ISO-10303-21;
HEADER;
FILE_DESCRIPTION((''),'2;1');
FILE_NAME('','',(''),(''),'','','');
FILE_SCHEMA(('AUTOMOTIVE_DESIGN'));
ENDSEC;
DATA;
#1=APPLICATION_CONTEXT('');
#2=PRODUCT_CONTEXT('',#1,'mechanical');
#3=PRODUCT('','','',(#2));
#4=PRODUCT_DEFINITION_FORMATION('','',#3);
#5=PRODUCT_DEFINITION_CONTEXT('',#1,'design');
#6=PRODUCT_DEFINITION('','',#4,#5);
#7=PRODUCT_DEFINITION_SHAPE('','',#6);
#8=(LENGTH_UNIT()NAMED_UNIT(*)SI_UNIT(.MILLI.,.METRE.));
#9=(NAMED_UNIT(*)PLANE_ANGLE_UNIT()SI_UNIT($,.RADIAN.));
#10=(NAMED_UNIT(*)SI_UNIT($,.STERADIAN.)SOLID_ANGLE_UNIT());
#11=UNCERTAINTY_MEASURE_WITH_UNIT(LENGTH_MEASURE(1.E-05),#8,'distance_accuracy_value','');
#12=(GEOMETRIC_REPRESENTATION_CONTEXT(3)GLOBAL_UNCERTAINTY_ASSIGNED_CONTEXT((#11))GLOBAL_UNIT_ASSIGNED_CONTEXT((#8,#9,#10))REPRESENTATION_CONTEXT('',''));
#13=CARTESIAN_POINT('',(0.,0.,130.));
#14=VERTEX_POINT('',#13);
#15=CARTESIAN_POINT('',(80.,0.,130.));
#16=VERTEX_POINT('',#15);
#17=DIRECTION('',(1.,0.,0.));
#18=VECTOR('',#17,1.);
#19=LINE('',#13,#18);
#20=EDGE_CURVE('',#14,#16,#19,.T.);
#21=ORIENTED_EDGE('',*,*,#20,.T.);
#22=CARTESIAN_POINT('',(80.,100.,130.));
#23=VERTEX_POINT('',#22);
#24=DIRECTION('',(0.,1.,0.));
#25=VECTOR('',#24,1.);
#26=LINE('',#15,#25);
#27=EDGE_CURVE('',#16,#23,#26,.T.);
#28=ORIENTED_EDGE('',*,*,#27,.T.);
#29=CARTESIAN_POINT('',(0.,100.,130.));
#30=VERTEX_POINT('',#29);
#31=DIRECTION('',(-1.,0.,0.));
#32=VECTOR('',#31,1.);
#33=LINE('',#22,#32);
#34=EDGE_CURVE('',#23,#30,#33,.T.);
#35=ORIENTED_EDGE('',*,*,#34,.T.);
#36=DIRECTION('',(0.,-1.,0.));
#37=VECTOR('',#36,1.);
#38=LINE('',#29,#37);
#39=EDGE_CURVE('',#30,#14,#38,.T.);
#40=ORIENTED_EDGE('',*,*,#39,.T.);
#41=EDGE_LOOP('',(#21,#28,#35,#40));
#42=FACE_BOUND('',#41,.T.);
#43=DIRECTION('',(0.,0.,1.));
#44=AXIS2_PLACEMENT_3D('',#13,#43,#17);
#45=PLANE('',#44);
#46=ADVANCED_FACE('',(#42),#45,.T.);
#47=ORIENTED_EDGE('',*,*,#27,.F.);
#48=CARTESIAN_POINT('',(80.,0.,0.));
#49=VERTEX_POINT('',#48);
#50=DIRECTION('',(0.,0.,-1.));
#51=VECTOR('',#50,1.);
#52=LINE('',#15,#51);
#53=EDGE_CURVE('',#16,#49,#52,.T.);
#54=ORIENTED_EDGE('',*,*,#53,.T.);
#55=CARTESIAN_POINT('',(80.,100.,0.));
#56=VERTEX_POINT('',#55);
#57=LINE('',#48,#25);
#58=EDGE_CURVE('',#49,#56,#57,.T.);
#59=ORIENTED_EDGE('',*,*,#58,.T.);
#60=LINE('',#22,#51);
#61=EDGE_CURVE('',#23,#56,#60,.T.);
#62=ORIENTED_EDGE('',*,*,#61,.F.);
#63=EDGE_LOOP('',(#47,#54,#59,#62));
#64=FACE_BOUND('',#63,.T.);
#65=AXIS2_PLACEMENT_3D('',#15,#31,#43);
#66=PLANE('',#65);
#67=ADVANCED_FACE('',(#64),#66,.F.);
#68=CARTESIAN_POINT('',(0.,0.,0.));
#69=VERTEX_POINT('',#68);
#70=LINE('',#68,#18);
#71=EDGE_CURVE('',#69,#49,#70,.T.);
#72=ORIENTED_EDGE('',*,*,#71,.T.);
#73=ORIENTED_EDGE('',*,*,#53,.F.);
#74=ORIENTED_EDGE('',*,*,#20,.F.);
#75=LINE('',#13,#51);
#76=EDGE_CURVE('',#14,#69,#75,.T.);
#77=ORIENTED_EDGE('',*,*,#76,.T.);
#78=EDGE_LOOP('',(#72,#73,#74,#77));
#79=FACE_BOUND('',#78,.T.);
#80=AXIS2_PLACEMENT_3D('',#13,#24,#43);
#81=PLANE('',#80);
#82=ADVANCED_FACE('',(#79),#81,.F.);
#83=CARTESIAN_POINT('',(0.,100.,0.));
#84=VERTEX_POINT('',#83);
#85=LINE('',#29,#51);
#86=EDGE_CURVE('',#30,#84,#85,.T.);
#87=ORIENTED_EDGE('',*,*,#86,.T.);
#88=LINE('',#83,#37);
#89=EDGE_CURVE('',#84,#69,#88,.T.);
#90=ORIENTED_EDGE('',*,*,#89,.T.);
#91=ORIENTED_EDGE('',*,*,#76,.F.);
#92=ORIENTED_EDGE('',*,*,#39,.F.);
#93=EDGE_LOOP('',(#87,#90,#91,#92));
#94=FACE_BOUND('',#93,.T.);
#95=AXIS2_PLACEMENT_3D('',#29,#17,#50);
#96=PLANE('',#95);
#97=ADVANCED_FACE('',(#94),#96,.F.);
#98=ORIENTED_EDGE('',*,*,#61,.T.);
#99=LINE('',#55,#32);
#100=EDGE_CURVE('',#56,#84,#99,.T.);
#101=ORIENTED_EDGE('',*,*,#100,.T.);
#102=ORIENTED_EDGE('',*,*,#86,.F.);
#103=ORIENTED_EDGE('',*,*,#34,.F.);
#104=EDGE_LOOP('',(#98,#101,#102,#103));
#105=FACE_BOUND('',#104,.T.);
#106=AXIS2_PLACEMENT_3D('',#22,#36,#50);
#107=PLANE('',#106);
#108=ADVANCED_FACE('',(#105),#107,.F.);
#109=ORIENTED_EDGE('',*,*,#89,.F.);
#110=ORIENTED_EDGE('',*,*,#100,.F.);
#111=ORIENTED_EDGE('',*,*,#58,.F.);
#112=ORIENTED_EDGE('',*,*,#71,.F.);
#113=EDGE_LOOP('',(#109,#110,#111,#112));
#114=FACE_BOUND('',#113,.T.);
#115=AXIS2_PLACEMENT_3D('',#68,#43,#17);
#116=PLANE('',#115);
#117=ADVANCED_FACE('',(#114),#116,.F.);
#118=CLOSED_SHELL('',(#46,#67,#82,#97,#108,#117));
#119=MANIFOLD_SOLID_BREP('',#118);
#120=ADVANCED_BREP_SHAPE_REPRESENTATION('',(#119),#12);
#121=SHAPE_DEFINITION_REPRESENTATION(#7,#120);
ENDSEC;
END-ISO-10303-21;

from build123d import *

# Parameters (mm, degrees)
ESBO_O1_W                = 80
ESBO_O1_H                = 100
RESSALTO_EXTRUS_O1_DEPTH = 130


with BuildPart() as part:
    # Esboço1 → Ressalto-extrusão1 (new body)
    with BuildSketch(Plane.XY):
        with Locations((40, 50)):
            Rectangle(ESBO_O1_W, ESBO_O1_H)
    extrude(amount=RESSALTO_EXTRUS_O1_DEPTH)


solid = part.part
